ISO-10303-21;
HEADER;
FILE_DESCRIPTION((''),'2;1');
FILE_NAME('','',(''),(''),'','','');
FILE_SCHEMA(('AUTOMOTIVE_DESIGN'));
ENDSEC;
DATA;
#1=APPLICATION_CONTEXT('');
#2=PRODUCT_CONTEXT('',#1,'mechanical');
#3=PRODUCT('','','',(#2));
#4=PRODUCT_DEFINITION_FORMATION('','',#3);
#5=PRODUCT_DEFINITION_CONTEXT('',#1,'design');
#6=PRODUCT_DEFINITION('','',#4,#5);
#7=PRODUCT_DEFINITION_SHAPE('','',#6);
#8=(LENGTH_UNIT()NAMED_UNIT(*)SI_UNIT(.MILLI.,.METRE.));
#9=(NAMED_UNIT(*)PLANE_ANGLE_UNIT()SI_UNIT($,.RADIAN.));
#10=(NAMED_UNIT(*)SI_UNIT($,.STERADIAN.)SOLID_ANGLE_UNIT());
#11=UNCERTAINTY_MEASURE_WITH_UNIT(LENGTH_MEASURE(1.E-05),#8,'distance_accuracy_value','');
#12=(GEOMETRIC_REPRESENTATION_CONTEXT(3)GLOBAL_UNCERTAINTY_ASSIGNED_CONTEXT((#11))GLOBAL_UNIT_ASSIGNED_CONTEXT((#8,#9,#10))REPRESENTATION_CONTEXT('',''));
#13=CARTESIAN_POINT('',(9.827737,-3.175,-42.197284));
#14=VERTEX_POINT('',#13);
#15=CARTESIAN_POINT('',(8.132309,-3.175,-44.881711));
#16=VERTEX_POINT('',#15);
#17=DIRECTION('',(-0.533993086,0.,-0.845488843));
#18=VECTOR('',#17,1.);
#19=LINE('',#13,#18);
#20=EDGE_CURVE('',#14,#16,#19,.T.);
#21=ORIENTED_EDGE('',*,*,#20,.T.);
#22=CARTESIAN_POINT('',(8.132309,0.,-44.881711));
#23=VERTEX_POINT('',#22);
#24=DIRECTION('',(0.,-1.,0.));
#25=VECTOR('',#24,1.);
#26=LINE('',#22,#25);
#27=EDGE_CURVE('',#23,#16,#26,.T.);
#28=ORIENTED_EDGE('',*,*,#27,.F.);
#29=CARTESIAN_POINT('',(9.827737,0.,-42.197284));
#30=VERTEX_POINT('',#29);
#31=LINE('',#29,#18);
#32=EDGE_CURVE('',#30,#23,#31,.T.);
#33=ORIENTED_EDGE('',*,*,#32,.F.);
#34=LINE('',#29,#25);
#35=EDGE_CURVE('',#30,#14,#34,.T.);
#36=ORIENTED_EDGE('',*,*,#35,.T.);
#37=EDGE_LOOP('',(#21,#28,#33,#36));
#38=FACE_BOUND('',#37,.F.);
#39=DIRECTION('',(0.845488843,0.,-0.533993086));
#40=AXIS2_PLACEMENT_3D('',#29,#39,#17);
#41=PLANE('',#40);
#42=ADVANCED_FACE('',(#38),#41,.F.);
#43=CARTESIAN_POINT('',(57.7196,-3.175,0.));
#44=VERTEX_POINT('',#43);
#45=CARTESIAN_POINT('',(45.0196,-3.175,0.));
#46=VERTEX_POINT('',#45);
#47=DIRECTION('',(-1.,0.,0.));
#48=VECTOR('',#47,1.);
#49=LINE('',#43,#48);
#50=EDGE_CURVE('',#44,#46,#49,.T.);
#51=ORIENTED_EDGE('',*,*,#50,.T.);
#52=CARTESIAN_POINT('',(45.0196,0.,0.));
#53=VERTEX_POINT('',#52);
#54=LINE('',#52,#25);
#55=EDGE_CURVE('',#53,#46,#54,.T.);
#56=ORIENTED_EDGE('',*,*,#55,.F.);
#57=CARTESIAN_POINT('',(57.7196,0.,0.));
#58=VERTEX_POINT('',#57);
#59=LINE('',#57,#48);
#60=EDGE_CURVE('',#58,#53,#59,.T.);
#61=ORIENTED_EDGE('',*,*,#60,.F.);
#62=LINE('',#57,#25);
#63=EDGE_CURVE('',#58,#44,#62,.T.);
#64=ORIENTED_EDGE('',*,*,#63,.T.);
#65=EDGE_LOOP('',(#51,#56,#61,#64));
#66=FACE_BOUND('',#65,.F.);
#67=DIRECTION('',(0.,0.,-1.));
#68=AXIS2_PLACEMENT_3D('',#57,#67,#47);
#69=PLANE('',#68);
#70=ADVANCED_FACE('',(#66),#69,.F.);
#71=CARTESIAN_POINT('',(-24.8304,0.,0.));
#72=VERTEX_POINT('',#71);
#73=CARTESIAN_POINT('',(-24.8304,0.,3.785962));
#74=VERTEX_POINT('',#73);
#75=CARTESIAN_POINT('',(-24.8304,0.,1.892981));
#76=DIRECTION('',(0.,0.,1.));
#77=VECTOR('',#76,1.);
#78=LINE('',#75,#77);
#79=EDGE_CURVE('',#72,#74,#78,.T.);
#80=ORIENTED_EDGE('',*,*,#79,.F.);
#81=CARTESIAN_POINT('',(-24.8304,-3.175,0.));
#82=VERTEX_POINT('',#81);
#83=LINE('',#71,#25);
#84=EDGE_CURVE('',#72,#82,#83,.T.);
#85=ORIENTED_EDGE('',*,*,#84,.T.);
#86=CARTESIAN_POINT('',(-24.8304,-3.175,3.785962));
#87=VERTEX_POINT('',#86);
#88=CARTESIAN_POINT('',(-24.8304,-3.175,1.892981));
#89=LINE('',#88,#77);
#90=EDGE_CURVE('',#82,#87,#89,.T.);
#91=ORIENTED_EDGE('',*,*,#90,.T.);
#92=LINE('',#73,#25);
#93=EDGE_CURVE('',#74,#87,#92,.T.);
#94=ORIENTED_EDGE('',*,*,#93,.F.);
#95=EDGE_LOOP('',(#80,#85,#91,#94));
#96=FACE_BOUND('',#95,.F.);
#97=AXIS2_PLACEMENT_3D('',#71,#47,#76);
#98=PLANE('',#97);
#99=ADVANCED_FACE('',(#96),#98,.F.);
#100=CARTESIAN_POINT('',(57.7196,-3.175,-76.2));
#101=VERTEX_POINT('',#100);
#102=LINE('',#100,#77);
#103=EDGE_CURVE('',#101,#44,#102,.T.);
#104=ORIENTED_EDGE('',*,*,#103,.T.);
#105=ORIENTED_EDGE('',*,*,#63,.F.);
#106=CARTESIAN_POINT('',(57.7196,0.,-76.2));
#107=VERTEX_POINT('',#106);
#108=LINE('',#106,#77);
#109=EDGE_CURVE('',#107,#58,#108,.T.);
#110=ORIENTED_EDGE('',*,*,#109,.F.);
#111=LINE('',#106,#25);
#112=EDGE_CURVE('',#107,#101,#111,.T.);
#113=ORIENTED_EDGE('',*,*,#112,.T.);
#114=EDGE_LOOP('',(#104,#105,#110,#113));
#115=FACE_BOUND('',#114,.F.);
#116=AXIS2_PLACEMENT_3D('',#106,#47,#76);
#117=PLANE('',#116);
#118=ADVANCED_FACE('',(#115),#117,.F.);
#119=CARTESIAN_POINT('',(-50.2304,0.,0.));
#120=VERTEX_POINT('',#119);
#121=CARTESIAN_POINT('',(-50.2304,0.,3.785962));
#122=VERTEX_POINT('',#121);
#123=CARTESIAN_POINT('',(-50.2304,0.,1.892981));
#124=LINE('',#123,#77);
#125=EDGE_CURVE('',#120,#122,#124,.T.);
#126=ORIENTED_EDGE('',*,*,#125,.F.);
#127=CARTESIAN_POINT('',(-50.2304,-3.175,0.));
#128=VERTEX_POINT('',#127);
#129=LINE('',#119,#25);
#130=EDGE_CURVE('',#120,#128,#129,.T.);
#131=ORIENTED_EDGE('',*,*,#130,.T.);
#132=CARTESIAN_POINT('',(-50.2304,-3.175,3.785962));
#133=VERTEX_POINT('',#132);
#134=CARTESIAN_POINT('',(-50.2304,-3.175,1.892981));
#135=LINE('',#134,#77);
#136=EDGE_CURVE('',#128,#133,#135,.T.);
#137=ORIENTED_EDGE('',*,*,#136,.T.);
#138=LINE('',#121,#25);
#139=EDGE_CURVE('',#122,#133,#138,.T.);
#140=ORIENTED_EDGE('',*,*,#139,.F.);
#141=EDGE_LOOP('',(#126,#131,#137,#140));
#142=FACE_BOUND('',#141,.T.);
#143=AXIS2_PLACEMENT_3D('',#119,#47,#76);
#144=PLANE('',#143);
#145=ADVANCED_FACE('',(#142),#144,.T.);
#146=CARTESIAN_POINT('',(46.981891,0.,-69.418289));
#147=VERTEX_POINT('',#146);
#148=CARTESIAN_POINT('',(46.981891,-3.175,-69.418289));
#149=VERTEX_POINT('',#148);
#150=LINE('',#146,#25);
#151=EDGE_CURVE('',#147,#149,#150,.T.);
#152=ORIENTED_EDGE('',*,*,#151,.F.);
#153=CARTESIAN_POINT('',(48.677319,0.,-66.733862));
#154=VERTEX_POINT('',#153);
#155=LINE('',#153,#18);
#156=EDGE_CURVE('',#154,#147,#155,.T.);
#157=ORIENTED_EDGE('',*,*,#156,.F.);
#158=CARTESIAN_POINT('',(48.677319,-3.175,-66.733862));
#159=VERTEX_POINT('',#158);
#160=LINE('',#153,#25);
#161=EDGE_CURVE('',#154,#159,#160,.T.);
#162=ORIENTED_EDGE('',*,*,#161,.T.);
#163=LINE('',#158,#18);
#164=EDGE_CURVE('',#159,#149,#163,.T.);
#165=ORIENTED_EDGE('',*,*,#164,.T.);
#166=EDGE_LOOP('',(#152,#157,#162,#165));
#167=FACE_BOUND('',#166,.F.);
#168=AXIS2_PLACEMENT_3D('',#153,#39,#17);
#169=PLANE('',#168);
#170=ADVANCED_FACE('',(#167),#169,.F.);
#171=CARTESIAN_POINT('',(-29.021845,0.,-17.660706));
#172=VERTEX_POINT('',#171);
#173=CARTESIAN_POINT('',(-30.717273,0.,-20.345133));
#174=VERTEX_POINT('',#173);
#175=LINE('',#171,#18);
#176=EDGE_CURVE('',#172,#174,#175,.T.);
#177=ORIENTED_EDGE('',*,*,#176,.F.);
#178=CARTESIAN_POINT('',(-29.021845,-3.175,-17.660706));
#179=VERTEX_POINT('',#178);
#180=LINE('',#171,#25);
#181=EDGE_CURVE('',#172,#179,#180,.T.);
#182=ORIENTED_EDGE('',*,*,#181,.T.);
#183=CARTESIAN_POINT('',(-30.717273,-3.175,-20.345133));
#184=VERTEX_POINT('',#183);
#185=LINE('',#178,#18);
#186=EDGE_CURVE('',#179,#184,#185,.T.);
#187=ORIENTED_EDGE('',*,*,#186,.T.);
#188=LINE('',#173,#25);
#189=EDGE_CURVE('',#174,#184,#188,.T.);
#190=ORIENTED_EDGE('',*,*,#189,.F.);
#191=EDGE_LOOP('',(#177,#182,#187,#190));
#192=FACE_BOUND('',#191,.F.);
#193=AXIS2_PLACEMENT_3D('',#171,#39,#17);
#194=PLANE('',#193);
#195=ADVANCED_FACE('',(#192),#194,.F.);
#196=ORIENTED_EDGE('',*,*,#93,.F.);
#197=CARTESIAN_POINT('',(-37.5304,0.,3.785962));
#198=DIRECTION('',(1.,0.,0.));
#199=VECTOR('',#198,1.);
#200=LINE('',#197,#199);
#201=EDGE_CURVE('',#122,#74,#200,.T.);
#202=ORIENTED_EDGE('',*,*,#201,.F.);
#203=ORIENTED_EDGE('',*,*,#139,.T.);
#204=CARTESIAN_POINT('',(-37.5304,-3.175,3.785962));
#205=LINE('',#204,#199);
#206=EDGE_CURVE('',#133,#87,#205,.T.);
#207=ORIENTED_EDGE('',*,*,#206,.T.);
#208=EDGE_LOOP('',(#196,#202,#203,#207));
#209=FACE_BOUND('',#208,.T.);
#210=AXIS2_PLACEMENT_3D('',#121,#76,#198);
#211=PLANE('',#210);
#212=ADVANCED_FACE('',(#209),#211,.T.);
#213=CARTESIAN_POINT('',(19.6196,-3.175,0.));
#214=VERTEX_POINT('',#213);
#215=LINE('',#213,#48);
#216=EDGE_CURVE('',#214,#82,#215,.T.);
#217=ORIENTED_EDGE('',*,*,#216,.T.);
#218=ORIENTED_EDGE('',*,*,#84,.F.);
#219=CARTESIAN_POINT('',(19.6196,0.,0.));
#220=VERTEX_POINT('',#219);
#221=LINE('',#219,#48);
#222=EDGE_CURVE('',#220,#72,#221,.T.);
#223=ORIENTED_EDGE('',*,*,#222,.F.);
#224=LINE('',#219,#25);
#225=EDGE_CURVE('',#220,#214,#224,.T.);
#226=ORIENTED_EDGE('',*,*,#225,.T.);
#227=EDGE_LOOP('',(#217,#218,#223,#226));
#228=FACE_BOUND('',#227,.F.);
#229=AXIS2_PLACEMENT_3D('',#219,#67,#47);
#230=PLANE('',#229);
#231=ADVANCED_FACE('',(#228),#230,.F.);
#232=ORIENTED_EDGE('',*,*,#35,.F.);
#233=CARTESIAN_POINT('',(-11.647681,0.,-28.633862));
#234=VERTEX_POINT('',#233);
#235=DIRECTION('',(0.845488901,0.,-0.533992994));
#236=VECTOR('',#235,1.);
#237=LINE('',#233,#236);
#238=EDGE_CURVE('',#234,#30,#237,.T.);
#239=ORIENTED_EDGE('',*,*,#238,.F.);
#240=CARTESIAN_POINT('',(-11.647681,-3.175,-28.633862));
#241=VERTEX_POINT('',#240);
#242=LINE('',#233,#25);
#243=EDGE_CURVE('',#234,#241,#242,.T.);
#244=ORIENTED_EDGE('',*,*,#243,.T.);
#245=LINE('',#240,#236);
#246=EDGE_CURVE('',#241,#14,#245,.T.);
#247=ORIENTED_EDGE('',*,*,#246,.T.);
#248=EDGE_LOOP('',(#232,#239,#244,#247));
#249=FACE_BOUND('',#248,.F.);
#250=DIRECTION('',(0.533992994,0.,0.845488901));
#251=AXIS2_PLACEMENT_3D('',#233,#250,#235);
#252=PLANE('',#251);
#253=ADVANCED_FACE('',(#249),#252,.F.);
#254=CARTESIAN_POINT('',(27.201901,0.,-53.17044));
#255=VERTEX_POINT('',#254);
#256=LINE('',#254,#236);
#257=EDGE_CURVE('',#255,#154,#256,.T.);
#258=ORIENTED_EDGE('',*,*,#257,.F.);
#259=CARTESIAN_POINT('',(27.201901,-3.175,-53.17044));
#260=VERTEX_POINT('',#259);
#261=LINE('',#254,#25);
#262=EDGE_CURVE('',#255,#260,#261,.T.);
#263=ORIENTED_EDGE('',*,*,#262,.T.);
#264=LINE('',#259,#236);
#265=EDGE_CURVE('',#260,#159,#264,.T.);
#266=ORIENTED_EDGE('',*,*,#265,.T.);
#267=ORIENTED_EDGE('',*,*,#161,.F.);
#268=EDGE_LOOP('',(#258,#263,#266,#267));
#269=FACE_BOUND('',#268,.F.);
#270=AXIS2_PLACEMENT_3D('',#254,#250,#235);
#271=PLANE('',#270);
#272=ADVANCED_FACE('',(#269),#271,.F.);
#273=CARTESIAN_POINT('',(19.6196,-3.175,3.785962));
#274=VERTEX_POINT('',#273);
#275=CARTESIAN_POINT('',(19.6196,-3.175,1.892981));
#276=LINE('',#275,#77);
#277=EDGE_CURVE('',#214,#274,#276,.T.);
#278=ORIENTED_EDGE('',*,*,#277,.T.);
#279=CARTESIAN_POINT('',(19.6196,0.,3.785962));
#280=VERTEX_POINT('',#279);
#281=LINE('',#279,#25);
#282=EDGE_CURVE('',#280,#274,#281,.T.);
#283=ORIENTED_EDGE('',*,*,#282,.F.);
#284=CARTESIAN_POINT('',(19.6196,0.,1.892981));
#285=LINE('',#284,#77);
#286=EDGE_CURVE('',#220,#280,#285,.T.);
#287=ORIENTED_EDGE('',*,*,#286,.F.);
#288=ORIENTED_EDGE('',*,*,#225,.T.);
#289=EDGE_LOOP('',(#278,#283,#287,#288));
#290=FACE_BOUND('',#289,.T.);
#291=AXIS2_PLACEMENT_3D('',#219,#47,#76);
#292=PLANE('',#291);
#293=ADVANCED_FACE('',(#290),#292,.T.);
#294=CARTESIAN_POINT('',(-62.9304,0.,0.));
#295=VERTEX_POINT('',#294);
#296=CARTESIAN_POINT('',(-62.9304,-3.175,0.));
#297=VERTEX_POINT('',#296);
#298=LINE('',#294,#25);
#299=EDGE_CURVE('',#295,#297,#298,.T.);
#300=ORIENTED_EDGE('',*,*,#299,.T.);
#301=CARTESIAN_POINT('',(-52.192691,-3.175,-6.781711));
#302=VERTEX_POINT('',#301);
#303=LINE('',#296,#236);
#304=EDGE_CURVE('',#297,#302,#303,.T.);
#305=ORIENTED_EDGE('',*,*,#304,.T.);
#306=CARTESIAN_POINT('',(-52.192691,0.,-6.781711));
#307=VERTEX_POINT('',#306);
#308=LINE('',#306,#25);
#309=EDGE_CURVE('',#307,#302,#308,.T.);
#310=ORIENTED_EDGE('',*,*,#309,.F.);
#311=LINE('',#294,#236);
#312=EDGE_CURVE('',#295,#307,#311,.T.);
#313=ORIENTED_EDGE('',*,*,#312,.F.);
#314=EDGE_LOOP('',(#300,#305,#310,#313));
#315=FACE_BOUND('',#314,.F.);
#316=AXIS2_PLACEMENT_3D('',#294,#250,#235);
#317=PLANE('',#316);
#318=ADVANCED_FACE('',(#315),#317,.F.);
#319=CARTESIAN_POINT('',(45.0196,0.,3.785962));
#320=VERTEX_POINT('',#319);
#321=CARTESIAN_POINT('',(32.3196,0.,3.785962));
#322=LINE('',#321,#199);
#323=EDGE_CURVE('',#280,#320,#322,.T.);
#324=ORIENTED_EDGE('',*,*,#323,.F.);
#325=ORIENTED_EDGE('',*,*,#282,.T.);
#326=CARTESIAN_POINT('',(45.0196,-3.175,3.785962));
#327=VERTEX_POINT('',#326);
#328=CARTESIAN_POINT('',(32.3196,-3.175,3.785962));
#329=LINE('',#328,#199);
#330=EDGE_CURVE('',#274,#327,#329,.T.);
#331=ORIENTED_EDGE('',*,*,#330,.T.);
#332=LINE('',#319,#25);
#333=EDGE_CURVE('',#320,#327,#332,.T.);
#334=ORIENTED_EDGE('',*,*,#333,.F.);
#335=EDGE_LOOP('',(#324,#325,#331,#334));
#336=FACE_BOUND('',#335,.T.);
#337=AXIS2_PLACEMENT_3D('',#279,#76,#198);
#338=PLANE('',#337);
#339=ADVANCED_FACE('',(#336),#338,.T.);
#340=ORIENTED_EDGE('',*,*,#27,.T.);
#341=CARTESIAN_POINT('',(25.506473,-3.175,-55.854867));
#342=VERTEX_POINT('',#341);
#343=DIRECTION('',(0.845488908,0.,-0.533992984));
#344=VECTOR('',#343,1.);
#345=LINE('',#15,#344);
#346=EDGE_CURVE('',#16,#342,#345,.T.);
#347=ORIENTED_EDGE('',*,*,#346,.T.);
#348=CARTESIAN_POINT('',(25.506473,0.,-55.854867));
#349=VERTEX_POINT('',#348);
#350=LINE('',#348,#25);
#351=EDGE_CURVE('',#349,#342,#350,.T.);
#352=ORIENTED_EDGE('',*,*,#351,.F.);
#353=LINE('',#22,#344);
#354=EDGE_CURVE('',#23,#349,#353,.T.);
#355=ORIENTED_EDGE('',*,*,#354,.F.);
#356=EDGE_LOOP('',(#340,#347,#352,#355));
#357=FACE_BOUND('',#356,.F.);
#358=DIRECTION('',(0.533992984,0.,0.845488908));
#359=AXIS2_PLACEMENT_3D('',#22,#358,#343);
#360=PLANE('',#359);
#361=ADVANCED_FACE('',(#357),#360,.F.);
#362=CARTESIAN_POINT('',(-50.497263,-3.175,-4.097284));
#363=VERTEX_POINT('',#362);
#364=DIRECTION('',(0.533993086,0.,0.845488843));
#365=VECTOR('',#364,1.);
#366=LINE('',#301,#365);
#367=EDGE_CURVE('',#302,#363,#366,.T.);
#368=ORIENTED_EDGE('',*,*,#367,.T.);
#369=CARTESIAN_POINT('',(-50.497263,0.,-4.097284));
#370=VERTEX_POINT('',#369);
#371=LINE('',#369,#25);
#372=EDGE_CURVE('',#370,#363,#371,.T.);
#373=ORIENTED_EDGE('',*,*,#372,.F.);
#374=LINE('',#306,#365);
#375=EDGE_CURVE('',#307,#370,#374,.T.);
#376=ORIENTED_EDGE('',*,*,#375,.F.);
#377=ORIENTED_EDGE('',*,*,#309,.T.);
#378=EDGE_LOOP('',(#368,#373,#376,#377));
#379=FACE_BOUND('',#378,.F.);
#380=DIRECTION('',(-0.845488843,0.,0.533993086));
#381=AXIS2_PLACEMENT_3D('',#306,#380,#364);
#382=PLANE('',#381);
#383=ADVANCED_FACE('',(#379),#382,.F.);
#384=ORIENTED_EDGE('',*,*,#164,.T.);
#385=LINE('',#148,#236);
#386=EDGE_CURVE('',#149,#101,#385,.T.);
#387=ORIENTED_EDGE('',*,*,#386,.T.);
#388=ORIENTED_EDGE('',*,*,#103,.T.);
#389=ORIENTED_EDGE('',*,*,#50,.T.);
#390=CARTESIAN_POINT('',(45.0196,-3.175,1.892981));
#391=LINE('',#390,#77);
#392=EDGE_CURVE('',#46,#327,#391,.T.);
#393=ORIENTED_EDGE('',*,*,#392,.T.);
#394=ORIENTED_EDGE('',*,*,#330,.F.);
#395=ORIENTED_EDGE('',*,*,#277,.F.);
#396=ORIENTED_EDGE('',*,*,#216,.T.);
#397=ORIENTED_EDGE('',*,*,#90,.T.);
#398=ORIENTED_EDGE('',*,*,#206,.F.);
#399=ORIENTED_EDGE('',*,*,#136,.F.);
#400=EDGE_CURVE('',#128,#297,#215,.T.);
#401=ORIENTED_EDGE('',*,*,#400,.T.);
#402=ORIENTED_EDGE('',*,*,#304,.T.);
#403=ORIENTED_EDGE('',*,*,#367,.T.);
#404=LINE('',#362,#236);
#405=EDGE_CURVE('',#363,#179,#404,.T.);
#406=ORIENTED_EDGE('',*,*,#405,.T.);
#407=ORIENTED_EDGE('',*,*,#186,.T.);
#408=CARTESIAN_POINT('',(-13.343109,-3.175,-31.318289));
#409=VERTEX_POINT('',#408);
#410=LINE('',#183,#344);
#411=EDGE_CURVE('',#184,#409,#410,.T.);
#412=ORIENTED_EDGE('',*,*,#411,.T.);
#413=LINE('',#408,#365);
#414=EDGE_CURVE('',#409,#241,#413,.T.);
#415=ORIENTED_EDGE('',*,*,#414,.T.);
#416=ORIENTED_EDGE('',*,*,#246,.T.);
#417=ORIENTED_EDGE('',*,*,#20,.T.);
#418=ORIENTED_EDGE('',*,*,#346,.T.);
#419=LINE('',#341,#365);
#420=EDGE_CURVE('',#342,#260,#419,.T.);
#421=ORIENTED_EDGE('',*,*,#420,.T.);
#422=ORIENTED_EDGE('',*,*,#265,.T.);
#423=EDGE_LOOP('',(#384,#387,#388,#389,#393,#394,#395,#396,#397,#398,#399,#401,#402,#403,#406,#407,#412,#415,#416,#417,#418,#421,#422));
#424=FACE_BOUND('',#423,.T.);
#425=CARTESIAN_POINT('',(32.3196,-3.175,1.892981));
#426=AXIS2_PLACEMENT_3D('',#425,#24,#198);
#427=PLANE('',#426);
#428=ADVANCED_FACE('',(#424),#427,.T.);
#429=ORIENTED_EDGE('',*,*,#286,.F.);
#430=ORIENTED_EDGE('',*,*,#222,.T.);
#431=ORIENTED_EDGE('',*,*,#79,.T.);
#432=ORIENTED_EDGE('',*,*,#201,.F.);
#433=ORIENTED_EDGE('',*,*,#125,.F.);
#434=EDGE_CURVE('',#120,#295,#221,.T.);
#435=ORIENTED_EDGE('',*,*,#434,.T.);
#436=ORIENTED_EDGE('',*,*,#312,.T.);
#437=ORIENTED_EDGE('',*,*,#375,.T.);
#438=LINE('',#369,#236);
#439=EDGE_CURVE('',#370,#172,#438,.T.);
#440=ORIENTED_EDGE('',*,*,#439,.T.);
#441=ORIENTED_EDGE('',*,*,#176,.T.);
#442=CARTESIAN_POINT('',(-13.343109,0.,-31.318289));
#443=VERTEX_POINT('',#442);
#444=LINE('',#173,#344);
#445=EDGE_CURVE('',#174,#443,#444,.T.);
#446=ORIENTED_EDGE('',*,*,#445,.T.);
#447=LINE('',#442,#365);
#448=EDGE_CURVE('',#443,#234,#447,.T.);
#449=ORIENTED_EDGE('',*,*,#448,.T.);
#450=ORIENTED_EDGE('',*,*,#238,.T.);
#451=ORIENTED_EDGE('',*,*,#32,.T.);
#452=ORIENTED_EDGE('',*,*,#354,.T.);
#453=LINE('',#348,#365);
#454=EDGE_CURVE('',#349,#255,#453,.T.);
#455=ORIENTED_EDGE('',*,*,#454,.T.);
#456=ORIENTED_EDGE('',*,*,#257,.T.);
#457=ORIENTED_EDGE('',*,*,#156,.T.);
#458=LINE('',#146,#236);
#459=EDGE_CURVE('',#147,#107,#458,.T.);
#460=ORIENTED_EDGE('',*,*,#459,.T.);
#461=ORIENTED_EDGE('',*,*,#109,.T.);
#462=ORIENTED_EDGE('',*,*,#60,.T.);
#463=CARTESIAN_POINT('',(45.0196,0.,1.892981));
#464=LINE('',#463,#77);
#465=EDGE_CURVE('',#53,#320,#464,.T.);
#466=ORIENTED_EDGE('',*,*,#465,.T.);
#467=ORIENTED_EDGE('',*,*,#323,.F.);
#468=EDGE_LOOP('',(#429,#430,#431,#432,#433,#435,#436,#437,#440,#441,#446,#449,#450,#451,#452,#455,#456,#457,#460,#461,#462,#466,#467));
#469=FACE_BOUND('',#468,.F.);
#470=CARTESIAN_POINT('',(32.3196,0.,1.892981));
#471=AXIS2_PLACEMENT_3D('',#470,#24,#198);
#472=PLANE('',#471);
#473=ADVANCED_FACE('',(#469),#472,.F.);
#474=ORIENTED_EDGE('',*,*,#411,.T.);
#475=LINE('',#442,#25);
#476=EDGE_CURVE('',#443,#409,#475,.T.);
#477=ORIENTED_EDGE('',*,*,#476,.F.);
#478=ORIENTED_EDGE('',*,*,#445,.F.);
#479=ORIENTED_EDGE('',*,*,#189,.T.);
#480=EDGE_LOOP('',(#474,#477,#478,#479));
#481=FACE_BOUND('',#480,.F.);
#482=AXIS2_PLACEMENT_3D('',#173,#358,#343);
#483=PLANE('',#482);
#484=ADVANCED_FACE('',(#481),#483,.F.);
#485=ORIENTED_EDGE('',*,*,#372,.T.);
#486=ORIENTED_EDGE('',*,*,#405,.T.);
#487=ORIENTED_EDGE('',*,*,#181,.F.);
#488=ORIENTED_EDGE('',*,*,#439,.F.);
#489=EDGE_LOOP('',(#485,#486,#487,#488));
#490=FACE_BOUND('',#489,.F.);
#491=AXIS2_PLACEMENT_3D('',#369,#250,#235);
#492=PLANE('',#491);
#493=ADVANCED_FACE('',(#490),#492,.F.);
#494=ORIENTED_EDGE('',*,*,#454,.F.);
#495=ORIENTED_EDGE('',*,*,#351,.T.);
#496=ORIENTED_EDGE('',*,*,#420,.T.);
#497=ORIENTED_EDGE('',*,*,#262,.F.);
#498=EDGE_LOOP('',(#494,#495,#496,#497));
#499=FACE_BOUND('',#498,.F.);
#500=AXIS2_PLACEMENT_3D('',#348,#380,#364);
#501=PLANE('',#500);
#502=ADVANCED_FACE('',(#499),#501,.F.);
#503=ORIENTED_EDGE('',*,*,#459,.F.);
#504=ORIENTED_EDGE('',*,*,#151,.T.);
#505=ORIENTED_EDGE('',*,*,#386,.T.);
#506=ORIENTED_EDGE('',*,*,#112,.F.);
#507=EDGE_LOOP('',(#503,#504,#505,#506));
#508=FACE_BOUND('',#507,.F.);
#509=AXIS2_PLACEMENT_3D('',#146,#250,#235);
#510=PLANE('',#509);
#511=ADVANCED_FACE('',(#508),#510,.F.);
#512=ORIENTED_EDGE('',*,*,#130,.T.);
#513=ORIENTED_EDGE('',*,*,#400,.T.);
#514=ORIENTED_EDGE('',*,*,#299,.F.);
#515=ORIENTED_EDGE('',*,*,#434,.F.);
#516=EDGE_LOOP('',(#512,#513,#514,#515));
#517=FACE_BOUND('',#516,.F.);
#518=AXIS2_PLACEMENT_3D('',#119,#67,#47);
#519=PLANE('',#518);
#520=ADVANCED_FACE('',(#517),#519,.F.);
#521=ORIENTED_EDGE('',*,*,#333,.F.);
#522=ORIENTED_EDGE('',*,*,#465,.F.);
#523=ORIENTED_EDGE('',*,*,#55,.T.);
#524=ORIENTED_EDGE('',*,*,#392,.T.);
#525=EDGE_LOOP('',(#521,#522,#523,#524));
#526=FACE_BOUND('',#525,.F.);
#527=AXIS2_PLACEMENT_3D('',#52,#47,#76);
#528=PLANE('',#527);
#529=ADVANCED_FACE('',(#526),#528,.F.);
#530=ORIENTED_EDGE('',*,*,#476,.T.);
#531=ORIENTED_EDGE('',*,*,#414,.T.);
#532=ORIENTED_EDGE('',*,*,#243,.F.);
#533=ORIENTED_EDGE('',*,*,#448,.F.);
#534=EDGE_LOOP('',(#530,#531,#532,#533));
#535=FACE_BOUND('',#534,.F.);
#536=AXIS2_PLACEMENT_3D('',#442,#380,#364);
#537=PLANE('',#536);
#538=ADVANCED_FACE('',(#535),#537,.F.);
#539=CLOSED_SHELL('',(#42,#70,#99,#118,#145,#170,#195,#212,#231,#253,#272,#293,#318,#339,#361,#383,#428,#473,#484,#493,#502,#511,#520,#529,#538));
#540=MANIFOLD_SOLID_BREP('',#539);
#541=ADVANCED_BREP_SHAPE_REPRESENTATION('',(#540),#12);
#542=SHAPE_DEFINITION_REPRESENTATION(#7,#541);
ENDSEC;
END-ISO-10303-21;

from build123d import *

# Parameters (mm, degrees)
F0_W     = 25.4
F0_H     = 3.785962
F1_DEPTH = 3.175


with BuildPart() as f1:
    # F0 (on Front) → F1 (new body)
    with BuildSketch(Plane.XZ):
        with Locations((32.3196, 1.892981)):
            Rectangle(F0_W, F0_H)
        Polygon((-50.2304, 0), (-62.9304, 0), (-52.192691, -6.781711), (-50.497263, -4.097284), (-29.021845, -17.660706), (-30.717273, -20.345133), (-13.343109, -31.318289), (-11.647681, -28.633862), (-0.909972, -35.415573), (9.827737, -42.197284), (8.132309, -44.881711), (25.506473, -55.854867), (27.201901, -53.17044), (48.677319, -66.733862), (46.981891, -69.418289), (57.7196, -76.2), (57.7196, 0), (45.0196, 0), (19.6196, 0), (-24.8304, 0), align=None)
        with Locations((-37.5304, 1.892981)):
            Rectangle(F0_W, F0_H)
    extrude(amount=F1_DEPTH)


solid = f1.part
